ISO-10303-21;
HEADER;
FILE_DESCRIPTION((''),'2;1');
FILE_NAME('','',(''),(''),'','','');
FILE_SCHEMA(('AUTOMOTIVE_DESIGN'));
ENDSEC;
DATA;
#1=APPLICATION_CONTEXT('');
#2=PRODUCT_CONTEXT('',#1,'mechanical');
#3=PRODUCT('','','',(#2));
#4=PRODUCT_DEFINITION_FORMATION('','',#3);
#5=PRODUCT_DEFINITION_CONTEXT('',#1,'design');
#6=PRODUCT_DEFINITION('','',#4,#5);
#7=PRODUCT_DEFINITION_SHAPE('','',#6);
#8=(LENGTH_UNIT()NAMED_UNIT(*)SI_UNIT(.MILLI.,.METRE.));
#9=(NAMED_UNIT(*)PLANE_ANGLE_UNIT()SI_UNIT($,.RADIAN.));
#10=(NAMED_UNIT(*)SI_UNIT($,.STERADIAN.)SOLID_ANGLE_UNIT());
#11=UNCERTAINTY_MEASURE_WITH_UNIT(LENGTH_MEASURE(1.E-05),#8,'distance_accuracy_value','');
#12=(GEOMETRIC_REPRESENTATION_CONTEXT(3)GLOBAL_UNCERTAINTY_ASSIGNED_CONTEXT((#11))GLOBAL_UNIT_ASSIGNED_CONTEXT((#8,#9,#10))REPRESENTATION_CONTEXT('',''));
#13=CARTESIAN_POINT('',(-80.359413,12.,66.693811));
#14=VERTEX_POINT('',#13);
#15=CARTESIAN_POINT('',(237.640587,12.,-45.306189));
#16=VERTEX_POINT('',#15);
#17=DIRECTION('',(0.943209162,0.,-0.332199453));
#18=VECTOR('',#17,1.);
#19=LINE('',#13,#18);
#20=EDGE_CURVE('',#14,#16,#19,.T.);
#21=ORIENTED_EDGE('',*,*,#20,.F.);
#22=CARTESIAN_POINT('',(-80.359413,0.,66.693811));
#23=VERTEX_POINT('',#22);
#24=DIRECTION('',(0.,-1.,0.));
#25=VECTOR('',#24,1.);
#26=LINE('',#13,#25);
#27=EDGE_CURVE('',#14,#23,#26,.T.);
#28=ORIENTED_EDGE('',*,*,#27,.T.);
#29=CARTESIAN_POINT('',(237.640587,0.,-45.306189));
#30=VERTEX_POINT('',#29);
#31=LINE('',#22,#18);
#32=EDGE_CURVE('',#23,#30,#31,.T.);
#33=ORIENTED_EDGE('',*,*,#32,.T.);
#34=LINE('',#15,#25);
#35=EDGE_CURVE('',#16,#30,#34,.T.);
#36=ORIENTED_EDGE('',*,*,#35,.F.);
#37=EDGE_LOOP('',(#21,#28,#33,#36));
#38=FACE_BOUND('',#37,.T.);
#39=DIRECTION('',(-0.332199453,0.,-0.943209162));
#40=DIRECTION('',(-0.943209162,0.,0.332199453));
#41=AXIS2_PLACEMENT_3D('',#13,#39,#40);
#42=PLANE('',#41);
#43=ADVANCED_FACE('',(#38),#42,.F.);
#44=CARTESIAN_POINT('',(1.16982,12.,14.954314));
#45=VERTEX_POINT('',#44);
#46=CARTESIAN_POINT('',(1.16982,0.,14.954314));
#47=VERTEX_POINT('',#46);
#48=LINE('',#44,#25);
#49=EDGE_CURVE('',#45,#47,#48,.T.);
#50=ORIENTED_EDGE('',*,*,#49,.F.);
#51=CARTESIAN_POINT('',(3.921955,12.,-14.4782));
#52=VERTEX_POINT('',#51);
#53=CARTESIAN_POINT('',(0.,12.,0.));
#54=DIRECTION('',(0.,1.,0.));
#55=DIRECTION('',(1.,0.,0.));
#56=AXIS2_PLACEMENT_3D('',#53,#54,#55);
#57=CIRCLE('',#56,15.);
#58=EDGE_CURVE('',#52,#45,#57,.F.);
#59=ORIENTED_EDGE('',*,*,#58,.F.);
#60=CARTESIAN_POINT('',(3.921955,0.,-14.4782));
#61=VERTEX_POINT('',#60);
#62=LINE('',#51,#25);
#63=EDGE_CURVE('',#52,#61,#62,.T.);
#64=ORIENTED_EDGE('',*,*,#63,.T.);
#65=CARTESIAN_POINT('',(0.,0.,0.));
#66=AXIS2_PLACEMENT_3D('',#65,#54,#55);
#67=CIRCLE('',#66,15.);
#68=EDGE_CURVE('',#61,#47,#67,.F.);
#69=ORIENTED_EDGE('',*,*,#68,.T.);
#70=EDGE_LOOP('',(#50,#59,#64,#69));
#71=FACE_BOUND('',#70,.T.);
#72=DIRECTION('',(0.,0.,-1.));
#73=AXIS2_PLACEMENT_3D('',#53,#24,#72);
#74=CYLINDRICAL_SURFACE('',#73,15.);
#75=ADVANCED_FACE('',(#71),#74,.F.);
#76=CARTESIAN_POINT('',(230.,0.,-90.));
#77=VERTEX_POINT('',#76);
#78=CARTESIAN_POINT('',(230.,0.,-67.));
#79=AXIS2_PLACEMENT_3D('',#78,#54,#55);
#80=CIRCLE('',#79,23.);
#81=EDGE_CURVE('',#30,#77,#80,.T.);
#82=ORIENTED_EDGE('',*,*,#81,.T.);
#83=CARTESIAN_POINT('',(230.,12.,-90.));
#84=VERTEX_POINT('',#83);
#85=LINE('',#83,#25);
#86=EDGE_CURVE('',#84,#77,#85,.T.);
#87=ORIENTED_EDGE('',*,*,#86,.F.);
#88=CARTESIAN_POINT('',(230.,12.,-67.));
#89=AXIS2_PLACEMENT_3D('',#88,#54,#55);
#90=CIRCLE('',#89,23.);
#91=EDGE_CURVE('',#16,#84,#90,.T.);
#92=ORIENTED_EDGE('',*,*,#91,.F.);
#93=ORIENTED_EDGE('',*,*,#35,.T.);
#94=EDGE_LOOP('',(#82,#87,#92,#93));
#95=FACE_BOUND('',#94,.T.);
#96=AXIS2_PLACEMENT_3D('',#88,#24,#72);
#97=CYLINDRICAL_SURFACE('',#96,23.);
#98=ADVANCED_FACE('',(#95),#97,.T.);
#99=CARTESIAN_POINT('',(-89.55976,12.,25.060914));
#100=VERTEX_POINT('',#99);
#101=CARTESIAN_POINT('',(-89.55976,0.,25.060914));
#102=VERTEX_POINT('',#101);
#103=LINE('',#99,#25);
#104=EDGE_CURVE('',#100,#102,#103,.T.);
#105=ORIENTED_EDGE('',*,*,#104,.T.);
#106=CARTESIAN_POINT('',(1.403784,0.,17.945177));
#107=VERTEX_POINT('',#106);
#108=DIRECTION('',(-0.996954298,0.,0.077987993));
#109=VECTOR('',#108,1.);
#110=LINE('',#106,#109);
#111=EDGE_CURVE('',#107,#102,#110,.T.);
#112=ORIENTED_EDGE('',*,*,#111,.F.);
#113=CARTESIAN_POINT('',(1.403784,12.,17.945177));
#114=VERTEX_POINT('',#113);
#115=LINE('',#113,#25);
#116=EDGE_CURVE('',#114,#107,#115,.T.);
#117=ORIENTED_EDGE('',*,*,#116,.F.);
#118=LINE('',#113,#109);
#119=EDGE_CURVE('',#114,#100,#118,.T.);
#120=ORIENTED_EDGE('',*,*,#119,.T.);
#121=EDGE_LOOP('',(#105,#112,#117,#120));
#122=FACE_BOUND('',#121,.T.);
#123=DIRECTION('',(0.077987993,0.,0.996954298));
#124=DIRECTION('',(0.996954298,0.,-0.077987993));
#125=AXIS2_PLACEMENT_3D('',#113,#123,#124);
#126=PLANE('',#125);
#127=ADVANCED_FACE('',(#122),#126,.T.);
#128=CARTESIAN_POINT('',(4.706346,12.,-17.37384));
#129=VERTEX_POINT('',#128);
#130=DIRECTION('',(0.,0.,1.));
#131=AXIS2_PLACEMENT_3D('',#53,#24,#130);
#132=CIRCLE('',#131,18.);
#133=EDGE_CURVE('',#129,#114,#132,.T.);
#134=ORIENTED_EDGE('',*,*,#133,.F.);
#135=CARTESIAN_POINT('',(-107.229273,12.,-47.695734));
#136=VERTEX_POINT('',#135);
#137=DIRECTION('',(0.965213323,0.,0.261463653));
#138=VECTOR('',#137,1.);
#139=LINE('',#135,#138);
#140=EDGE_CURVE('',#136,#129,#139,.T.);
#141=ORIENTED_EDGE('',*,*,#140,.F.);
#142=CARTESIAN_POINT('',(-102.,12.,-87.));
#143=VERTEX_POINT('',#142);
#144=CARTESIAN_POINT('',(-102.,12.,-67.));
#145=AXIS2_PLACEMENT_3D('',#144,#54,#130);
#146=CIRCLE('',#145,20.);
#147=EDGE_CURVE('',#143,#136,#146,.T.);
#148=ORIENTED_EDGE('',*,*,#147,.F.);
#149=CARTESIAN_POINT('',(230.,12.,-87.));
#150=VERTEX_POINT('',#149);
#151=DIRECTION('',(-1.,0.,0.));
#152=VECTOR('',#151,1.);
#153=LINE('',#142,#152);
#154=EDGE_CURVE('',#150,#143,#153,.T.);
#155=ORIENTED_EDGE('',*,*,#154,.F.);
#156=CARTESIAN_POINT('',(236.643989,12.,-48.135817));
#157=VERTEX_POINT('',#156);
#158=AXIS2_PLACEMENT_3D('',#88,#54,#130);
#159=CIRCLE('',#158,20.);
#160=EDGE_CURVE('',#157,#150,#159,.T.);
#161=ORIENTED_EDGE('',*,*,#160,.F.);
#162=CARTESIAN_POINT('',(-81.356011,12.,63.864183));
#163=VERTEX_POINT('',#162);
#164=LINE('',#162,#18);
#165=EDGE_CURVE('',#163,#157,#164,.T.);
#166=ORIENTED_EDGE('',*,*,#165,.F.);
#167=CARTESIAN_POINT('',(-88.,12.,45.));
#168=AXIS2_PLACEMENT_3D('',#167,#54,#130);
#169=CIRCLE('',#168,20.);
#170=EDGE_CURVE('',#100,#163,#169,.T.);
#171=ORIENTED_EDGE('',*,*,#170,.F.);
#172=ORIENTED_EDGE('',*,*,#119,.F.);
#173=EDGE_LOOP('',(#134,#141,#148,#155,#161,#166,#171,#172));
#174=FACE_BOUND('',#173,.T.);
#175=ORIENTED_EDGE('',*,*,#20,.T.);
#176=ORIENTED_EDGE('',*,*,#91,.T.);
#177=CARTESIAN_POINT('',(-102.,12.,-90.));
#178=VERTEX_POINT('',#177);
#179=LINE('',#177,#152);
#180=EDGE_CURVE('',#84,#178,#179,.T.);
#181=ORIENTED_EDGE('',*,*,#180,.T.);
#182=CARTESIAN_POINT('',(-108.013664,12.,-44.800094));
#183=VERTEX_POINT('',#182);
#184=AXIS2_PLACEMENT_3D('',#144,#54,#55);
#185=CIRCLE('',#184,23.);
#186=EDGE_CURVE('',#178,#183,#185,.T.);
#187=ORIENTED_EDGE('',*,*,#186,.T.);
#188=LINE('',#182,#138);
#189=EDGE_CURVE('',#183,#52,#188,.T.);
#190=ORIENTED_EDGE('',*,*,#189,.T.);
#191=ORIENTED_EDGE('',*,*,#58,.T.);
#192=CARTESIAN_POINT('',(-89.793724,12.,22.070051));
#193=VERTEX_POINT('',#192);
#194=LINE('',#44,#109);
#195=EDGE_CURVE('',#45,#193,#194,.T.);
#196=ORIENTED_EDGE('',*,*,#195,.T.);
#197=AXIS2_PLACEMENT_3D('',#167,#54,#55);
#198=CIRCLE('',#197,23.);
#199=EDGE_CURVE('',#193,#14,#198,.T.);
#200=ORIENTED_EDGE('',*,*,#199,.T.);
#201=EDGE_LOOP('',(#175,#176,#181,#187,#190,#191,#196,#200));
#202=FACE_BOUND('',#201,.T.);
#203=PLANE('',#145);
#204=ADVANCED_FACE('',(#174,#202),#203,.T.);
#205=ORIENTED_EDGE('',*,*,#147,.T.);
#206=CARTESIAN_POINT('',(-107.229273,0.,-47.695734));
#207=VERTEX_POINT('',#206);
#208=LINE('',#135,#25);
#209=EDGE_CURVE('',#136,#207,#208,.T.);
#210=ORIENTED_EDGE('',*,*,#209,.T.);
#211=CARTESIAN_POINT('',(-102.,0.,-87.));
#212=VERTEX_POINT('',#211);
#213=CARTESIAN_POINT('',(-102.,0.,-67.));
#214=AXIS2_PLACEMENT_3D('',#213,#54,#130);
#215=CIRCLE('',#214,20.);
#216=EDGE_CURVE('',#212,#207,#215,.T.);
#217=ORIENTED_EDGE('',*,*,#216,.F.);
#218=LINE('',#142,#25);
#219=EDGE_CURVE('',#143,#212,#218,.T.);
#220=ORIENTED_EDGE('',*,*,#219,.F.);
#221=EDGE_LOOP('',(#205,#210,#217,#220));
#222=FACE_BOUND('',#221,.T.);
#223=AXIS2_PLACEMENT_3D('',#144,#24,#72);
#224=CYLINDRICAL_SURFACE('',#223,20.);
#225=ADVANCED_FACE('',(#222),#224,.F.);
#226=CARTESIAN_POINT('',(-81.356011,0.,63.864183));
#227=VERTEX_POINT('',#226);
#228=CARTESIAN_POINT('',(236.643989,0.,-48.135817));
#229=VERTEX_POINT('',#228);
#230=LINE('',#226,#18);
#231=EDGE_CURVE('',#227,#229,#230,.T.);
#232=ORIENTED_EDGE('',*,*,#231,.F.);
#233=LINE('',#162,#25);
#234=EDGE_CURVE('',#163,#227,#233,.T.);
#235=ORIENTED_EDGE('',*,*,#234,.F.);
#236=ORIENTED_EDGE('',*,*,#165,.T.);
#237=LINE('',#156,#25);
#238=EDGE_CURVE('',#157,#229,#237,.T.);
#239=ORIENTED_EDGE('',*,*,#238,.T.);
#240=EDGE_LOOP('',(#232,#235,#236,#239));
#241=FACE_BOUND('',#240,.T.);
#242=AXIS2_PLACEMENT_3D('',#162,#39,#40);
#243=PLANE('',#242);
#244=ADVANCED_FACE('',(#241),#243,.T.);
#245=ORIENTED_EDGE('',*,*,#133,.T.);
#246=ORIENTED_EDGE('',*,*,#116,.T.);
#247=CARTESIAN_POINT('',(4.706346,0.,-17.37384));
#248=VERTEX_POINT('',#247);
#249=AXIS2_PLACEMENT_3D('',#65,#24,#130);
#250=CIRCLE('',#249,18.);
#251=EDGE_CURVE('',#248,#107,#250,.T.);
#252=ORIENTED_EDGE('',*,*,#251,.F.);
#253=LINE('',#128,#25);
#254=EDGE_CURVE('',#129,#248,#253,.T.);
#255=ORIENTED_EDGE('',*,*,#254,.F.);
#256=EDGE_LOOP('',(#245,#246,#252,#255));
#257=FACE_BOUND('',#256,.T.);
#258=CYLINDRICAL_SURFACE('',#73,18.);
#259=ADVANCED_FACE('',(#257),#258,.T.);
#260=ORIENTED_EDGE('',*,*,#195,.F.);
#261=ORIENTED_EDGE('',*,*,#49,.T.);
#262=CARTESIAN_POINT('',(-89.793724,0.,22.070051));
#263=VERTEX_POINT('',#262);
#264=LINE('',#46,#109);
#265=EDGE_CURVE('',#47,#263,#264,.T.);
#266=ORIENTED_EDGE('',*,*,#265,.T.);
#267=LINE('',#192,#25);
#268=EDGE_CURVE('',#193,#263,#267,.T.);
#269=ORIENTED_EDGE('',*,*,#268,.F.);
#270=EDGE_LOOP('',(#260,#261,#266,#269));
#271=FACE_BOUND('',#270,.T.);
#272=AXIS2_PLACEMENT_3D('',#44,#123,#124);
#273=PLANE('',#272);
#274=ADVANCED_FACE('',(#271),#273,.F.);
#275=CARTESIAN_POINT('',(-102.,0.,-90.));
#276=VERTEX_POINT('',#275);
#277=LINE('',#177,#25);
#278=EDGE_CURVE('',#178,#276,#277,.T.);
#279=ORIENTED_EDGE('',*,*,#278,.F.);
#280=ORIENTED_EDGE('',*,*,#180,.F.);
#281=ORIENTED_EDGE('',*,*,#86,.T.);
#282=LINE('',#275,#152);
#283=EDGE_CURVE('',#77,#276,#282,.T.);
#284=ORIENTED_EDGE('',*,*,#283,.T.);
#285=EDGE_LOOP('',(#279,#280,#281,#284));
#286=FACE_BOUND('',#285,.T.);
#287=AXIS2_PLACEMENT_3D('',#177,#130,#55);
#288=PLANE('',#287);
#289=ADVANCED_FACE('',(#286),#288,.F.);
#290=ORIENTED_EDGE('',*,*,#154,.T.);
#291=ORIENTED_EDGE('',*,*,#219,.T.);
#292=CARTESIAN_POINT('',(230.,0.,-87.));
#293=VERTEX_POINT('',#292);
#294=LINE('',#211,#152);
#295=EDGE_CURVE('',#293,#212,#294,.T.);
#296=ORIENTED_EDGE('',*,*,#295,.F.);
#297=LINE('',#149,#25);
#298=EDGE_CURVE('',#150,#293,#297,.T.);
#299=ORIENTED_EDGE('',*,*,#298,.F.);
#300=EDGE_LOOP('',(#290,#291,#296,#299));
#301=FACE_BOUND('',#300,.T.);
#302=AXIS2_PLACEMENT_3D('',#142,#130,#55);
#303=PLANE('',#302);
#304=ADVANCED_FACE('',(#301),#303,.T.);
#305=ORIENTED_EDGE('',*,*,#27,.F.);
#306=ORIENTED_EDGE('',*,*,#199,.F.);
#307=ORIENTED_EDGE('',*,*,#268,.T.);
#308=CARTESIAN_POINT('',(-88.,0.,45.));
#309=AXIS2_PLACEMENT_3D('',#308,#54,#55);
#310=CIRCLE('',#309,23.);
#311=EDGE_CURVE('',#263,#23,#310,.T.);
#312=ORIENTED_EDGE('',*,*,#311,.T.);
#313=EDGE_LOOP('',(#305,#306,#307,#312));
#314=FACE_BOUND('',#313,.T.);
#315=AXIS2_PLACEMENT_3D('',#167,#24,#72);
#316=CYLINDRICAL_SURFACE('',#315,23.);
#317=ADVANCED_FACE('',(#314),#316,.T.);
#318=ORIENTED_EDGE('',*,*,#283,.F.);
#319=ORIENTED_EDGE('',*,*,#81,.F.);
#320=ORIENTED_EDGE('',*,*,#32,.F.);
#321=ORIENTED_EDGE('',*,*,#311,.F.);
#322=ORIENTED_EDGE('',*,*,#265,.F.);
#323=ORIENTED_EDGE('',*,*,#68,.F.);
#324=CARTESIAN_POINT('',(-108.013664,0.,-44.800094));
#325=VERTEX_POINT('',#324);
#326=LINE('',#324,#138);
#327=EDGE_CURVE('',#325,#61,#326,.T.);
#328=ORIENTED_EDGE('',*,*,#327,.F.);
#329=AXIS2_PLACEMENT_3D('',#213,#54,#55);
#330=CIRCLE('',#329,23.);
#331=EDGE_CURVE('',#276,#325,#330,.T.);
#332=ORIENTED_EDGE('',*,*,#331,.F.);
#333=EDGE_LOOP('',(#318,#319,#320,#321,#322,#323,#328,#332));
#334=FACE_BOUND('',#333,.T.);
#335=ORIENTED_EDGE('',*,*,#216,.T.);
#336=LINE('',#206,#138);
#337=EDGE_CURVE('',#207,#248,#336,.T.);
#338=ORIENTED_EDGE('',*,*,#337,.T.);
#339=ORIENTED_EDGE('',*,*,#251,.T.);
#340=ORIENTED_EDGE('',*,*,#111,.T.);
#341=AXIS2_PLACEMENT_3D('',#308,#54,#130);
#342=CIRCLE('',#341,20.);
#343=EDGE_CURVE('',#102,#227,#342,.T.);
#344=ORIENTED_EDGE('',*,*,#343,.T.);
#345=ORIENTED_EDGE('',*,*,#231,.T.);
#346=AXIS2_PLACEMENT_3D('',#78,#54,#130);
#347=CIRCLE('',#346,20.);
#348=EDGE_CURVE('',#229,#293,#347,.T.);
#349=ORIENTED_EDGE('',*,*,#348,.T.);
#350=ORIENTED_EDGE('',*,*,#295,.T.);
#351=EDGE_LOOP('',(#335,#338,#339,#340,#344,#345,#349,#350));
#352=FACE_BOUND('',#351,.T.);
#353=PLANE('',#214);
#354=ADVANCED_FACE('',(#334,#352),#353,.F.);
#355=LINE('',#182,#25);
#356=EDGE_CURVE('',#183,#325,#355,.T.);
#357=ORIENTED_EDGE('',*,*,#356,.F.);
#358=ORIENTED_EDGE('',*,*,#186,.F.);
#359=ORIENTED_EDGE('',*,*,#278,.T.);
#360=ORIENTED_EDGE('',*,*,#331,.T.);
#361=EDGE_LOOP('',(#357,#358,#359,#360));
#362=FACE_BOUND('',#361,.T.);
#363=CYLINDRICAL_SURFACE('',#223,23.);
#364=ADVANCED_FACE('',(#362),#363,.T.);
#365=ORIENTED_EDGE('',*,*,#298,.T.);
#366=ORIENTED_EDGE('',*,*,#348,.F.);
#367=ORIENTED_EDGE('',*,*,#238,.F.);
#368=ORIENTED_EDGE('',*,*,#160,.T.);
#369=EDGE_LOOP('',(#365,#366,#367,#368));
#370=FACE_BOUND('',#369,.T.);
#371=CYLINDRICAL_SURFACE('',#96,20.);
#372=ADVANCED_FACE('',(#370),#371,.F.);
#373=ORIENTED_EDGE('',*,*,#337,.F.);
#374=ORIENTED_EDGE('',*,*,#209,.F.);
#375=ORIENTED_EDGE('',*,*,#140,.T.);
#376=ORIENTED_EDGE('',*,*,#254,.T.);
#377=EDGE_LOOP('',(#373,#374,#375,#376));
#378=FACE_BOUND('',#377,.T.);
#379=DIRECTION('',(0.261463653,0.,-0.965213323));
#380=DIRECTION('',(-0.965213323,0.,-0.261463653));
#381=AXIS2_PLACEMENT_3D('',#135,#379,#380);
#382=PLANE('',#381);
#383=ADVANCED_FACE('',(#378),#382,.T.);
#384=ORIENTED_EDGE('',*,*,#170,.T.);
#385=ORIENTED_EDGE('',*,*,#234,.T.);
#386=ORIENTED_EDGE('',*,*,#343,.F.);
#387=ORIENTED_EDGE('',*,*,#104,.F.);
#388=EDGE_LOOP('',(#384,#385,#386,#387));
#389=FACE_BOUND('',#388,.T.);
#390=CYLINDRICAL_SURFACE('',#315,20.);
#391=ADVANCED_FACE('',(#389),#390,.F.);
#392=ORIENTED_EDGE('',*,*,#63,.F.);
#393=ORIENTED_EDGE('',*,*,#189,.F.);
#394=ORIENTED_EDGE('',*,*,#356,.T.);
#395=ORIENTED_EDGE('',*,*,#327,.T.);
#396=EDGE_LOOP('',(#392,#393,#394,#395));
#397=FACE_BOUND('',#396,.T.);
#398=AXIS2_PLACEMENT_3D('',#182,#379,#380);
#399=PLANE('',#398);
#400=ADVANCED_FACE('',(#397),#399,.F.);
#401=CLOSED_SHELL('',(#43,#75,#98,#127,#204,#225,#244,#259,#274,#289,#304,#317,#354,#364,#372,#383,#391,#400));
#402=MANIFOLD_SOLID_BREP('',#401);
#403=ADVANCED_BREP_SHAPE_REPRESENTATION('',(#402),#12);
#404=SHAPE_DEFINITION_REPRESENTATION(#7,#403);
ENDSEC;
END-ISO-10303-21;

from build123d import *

# Parameters (mm, degrees)
EXTRUDE_1_DEPTH = 12


with BuildPart() as part:
    # 草图2 → 拉伸-薄壁1 (new body)
    with BuildSketch(Plane(origin=(0, 0, 0), x_dir=(1, 0, 0), z_dir=(0, 1, 0))):
        with BuildLine():
            Line((237.640587425, 45.306189274), (-80.359412575, -66.693810726))
            ThreePointArc((-80.359412575, -66.693810726), (-110.502587258, -49.757474822), (-89.793723849, -22.070051139))
            Line((-89.793723849, -22.070051139), (1.169819902, -14.954314474))
            ThreePointArc((1.169819902, -14.954314474), (14.934850756, -1.396507396), (3.921954796, 14.478199839))
            Line((3.921954796, 14.478199839), (-108.013664021, 44.80009358))
            ThreePointArc((-108.013664021, 44.80009358), (-124.799099189, 70.033327574), (-102, 90))
            Line((-102, 90), (230, 90))
            ThreePointArc((230, 90), (252.671101062, 70.875716277), (237.640587425, 45.306189274))
        make_face()
        with BuildLine():
            Line((236.643989066, 48.13581676), (-81.356010934, -63.86418324))
            ThreePointArc((-81.356010934, -63.86418324), (-107.567467181, -49.136934628), (-89.559759869, -25.060914034))
            Line((-89.559759869, -25.060914034), (1.403783882, -17.945177369))
            ThreePointArc((1.403783882, -17.945177369), (17.921820907, -1.675808875), (4.706345755, 17.373839807))
            Line((4.706345755, 17.373839807), (-107.229273062, 47.695733548))
            ThreePointArc((-107.229273062, 47.695733548), (-121.825303643, 69.637676152), (-102, 87))
            Line((-102, 87), (230, 87))
            ThreePointArc((230, 87), (249.714000923, 70.370188067), (236.643989066, 48.13581676))
        make_face(mode=Mode.SUBTRACT)
    extrude(amount=EXTRUDE_1_DEPTH)


solid = part.part
